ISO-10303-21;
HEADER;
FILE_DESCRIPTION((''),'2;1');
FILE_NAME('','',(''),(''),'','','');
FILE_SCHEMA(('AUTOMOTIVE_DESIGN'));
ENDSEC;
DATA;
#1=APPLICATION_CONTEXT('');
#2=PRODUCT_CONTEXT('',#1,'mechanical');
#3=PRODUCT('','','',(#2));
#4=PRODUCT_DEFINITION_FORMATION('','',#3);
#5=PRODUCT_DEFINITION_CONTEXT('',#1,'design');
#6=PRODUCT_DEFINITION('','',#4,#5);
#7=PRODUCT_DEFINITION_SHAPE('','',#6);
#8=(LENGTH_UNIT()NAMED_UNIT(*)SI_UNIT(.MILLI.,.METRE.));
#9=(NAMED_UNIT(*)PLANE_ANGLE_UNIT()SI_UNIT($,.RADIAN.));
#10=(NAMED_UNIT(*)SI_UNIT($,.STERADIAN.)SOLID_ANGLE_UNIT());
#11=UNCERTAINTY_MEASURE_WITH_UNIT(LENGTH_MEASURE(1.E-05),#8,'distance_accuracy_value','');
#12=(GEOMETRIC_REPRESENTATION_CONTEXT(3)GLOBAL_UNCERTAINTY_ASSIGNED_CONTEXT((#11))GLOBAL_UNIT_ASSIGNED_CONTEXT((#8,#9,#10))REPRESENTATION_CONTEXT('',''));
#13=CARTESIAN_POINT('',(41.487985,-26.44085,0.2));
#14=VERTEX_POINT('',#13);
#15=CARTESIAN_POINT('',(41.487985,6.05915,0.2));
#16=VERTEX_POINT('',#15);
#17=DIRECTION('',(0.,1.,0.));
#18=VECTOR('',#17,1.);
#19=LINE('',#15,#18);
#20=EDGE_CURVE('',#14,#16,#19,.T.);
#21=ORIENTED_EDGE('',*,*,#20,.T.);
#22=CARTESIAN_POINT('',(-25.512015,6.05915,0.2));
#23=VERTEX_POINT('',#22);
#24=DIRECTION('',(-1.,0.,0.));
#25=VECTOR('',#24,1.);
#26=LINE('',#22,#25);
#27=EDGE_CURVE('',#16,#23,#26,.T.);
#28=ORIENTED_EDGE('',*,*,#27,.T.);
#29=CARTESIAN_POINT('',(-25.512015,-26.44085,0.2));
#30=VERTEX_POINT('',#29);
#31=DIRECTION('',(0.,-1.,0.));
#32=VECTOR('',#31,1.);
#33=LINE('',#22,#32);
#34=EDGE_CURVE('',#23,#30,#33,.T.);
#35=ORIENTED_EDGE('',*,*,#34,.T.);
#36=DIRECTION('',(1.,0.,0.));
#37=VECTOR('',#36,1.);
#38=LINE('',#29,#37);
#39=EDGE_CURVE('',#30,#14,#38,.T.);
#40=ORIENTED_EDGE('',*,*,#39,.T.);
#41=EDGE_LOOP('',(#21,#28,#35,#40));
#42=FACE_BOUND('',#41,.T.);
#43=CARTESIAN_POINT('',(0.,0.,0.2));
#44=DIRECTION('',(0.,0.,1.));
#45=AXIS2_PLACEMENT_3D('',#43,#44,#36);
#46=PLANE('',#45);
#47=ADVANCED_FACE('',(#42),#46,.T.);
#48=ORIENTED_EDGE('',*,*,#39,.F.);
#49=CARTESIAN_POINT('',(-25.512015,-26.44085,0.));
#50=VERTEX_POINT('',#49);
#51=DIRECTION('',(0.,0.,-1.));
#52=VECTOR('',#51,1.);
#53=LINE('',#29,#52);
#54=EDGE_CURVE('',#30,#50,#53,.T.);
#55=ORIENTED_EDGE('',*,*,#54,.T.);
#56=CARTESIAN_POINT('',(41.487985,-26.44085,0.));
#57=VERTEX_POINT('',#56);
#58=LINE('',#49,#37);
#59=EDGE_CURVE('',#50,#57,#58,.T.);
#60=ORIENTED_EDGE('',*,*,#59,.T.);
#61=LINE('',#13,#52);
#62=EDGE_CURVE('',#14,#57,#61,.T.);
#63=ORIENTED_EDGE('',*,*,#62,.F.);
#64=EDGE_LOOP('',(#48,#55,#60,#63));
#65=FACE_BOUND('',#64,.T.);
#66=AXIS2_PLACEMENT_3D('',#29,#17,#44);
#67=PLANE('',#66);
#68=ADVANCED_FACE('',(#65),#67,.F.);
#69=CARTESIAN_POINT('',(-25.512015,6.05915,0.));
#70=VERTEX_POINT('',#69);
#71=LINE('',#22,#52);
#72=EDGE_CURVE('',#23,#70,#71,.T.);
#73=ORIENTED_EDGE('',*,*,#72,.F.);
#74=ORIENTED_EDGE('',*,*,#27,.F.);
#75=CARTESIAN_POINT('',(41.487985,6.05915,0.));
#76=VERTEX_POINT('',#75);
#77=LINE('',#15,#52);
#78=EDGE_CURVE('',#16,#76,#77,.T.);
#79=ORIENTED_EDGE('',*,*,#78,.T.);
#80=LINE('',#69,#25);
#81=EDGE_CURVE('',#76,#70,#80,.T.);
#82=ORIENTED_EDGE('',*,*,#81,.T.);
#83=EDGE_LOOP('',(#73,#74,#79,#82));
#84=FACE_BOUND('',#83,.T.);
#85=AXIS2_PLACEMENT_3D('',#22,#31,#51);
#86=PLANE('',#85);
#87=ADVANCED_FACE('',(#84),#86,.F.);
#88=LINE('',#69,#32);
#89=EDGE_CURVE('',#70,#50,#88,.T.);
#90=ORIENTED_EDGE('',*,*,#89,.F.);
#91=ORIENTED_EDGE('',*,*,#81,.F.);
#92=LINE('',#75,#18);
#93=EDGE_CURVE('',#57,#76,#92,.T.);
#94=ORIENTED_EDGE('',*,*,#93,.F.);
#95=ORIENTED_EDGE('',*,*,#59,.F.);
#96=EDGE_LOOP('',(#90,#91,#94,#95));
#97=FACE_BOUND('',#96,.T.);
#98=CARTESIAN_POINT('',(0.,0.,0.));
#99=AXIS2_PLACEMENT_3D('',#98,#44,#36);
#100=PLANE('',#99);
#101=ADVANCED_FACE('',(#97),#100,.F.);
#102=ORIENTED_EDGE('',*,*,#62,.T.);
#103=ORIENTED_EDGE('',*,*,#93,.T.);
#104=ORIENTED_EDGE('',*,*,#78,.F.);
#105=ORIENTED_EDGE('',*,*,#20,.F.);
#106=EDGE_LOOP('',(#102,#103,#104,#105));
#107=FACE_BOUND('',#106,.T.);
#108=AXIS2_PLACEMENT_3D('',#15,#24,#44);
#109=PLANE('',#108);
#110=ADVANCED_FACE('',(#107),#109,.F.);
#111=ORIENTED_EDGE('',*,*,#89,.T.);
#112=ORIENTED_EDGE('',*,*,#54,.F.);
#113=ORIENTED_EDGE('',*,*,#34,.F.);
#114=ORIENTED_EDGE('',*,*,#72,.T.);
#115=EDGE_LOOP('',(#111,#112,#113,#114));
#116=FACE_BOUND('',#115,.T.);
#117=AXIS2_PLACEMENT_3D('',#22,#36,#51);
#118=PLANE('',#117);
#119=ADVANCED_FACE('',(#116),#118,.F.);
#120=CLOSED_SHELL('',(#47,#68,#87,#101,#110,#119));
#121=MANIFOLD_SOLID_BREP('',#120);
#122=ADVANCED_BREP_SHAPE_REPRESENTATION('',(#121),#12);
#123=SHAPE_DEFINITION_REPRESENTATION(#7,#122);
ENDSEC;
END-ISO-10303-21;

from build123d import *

# Parameters (mm, degrees)
ESBO_O1_W                = 67
ESBO_O1_H                = 32.5
RESSALTO_EXTRUS_O1_DEPTH = 0.2


with BuildPart() as part:
    # Esboço1 → Ressalto-extrusão1 (new body)
    with BuildSketch(Plane.XY):
        with Locations((7.987985213, -10.190850277)):
            Rectangle(ESBO_O1_W, ESBO_O1_H)
    extrude(amount=RESSALTO_EXTRUS_O1_DEPTH)


solid = part.part
